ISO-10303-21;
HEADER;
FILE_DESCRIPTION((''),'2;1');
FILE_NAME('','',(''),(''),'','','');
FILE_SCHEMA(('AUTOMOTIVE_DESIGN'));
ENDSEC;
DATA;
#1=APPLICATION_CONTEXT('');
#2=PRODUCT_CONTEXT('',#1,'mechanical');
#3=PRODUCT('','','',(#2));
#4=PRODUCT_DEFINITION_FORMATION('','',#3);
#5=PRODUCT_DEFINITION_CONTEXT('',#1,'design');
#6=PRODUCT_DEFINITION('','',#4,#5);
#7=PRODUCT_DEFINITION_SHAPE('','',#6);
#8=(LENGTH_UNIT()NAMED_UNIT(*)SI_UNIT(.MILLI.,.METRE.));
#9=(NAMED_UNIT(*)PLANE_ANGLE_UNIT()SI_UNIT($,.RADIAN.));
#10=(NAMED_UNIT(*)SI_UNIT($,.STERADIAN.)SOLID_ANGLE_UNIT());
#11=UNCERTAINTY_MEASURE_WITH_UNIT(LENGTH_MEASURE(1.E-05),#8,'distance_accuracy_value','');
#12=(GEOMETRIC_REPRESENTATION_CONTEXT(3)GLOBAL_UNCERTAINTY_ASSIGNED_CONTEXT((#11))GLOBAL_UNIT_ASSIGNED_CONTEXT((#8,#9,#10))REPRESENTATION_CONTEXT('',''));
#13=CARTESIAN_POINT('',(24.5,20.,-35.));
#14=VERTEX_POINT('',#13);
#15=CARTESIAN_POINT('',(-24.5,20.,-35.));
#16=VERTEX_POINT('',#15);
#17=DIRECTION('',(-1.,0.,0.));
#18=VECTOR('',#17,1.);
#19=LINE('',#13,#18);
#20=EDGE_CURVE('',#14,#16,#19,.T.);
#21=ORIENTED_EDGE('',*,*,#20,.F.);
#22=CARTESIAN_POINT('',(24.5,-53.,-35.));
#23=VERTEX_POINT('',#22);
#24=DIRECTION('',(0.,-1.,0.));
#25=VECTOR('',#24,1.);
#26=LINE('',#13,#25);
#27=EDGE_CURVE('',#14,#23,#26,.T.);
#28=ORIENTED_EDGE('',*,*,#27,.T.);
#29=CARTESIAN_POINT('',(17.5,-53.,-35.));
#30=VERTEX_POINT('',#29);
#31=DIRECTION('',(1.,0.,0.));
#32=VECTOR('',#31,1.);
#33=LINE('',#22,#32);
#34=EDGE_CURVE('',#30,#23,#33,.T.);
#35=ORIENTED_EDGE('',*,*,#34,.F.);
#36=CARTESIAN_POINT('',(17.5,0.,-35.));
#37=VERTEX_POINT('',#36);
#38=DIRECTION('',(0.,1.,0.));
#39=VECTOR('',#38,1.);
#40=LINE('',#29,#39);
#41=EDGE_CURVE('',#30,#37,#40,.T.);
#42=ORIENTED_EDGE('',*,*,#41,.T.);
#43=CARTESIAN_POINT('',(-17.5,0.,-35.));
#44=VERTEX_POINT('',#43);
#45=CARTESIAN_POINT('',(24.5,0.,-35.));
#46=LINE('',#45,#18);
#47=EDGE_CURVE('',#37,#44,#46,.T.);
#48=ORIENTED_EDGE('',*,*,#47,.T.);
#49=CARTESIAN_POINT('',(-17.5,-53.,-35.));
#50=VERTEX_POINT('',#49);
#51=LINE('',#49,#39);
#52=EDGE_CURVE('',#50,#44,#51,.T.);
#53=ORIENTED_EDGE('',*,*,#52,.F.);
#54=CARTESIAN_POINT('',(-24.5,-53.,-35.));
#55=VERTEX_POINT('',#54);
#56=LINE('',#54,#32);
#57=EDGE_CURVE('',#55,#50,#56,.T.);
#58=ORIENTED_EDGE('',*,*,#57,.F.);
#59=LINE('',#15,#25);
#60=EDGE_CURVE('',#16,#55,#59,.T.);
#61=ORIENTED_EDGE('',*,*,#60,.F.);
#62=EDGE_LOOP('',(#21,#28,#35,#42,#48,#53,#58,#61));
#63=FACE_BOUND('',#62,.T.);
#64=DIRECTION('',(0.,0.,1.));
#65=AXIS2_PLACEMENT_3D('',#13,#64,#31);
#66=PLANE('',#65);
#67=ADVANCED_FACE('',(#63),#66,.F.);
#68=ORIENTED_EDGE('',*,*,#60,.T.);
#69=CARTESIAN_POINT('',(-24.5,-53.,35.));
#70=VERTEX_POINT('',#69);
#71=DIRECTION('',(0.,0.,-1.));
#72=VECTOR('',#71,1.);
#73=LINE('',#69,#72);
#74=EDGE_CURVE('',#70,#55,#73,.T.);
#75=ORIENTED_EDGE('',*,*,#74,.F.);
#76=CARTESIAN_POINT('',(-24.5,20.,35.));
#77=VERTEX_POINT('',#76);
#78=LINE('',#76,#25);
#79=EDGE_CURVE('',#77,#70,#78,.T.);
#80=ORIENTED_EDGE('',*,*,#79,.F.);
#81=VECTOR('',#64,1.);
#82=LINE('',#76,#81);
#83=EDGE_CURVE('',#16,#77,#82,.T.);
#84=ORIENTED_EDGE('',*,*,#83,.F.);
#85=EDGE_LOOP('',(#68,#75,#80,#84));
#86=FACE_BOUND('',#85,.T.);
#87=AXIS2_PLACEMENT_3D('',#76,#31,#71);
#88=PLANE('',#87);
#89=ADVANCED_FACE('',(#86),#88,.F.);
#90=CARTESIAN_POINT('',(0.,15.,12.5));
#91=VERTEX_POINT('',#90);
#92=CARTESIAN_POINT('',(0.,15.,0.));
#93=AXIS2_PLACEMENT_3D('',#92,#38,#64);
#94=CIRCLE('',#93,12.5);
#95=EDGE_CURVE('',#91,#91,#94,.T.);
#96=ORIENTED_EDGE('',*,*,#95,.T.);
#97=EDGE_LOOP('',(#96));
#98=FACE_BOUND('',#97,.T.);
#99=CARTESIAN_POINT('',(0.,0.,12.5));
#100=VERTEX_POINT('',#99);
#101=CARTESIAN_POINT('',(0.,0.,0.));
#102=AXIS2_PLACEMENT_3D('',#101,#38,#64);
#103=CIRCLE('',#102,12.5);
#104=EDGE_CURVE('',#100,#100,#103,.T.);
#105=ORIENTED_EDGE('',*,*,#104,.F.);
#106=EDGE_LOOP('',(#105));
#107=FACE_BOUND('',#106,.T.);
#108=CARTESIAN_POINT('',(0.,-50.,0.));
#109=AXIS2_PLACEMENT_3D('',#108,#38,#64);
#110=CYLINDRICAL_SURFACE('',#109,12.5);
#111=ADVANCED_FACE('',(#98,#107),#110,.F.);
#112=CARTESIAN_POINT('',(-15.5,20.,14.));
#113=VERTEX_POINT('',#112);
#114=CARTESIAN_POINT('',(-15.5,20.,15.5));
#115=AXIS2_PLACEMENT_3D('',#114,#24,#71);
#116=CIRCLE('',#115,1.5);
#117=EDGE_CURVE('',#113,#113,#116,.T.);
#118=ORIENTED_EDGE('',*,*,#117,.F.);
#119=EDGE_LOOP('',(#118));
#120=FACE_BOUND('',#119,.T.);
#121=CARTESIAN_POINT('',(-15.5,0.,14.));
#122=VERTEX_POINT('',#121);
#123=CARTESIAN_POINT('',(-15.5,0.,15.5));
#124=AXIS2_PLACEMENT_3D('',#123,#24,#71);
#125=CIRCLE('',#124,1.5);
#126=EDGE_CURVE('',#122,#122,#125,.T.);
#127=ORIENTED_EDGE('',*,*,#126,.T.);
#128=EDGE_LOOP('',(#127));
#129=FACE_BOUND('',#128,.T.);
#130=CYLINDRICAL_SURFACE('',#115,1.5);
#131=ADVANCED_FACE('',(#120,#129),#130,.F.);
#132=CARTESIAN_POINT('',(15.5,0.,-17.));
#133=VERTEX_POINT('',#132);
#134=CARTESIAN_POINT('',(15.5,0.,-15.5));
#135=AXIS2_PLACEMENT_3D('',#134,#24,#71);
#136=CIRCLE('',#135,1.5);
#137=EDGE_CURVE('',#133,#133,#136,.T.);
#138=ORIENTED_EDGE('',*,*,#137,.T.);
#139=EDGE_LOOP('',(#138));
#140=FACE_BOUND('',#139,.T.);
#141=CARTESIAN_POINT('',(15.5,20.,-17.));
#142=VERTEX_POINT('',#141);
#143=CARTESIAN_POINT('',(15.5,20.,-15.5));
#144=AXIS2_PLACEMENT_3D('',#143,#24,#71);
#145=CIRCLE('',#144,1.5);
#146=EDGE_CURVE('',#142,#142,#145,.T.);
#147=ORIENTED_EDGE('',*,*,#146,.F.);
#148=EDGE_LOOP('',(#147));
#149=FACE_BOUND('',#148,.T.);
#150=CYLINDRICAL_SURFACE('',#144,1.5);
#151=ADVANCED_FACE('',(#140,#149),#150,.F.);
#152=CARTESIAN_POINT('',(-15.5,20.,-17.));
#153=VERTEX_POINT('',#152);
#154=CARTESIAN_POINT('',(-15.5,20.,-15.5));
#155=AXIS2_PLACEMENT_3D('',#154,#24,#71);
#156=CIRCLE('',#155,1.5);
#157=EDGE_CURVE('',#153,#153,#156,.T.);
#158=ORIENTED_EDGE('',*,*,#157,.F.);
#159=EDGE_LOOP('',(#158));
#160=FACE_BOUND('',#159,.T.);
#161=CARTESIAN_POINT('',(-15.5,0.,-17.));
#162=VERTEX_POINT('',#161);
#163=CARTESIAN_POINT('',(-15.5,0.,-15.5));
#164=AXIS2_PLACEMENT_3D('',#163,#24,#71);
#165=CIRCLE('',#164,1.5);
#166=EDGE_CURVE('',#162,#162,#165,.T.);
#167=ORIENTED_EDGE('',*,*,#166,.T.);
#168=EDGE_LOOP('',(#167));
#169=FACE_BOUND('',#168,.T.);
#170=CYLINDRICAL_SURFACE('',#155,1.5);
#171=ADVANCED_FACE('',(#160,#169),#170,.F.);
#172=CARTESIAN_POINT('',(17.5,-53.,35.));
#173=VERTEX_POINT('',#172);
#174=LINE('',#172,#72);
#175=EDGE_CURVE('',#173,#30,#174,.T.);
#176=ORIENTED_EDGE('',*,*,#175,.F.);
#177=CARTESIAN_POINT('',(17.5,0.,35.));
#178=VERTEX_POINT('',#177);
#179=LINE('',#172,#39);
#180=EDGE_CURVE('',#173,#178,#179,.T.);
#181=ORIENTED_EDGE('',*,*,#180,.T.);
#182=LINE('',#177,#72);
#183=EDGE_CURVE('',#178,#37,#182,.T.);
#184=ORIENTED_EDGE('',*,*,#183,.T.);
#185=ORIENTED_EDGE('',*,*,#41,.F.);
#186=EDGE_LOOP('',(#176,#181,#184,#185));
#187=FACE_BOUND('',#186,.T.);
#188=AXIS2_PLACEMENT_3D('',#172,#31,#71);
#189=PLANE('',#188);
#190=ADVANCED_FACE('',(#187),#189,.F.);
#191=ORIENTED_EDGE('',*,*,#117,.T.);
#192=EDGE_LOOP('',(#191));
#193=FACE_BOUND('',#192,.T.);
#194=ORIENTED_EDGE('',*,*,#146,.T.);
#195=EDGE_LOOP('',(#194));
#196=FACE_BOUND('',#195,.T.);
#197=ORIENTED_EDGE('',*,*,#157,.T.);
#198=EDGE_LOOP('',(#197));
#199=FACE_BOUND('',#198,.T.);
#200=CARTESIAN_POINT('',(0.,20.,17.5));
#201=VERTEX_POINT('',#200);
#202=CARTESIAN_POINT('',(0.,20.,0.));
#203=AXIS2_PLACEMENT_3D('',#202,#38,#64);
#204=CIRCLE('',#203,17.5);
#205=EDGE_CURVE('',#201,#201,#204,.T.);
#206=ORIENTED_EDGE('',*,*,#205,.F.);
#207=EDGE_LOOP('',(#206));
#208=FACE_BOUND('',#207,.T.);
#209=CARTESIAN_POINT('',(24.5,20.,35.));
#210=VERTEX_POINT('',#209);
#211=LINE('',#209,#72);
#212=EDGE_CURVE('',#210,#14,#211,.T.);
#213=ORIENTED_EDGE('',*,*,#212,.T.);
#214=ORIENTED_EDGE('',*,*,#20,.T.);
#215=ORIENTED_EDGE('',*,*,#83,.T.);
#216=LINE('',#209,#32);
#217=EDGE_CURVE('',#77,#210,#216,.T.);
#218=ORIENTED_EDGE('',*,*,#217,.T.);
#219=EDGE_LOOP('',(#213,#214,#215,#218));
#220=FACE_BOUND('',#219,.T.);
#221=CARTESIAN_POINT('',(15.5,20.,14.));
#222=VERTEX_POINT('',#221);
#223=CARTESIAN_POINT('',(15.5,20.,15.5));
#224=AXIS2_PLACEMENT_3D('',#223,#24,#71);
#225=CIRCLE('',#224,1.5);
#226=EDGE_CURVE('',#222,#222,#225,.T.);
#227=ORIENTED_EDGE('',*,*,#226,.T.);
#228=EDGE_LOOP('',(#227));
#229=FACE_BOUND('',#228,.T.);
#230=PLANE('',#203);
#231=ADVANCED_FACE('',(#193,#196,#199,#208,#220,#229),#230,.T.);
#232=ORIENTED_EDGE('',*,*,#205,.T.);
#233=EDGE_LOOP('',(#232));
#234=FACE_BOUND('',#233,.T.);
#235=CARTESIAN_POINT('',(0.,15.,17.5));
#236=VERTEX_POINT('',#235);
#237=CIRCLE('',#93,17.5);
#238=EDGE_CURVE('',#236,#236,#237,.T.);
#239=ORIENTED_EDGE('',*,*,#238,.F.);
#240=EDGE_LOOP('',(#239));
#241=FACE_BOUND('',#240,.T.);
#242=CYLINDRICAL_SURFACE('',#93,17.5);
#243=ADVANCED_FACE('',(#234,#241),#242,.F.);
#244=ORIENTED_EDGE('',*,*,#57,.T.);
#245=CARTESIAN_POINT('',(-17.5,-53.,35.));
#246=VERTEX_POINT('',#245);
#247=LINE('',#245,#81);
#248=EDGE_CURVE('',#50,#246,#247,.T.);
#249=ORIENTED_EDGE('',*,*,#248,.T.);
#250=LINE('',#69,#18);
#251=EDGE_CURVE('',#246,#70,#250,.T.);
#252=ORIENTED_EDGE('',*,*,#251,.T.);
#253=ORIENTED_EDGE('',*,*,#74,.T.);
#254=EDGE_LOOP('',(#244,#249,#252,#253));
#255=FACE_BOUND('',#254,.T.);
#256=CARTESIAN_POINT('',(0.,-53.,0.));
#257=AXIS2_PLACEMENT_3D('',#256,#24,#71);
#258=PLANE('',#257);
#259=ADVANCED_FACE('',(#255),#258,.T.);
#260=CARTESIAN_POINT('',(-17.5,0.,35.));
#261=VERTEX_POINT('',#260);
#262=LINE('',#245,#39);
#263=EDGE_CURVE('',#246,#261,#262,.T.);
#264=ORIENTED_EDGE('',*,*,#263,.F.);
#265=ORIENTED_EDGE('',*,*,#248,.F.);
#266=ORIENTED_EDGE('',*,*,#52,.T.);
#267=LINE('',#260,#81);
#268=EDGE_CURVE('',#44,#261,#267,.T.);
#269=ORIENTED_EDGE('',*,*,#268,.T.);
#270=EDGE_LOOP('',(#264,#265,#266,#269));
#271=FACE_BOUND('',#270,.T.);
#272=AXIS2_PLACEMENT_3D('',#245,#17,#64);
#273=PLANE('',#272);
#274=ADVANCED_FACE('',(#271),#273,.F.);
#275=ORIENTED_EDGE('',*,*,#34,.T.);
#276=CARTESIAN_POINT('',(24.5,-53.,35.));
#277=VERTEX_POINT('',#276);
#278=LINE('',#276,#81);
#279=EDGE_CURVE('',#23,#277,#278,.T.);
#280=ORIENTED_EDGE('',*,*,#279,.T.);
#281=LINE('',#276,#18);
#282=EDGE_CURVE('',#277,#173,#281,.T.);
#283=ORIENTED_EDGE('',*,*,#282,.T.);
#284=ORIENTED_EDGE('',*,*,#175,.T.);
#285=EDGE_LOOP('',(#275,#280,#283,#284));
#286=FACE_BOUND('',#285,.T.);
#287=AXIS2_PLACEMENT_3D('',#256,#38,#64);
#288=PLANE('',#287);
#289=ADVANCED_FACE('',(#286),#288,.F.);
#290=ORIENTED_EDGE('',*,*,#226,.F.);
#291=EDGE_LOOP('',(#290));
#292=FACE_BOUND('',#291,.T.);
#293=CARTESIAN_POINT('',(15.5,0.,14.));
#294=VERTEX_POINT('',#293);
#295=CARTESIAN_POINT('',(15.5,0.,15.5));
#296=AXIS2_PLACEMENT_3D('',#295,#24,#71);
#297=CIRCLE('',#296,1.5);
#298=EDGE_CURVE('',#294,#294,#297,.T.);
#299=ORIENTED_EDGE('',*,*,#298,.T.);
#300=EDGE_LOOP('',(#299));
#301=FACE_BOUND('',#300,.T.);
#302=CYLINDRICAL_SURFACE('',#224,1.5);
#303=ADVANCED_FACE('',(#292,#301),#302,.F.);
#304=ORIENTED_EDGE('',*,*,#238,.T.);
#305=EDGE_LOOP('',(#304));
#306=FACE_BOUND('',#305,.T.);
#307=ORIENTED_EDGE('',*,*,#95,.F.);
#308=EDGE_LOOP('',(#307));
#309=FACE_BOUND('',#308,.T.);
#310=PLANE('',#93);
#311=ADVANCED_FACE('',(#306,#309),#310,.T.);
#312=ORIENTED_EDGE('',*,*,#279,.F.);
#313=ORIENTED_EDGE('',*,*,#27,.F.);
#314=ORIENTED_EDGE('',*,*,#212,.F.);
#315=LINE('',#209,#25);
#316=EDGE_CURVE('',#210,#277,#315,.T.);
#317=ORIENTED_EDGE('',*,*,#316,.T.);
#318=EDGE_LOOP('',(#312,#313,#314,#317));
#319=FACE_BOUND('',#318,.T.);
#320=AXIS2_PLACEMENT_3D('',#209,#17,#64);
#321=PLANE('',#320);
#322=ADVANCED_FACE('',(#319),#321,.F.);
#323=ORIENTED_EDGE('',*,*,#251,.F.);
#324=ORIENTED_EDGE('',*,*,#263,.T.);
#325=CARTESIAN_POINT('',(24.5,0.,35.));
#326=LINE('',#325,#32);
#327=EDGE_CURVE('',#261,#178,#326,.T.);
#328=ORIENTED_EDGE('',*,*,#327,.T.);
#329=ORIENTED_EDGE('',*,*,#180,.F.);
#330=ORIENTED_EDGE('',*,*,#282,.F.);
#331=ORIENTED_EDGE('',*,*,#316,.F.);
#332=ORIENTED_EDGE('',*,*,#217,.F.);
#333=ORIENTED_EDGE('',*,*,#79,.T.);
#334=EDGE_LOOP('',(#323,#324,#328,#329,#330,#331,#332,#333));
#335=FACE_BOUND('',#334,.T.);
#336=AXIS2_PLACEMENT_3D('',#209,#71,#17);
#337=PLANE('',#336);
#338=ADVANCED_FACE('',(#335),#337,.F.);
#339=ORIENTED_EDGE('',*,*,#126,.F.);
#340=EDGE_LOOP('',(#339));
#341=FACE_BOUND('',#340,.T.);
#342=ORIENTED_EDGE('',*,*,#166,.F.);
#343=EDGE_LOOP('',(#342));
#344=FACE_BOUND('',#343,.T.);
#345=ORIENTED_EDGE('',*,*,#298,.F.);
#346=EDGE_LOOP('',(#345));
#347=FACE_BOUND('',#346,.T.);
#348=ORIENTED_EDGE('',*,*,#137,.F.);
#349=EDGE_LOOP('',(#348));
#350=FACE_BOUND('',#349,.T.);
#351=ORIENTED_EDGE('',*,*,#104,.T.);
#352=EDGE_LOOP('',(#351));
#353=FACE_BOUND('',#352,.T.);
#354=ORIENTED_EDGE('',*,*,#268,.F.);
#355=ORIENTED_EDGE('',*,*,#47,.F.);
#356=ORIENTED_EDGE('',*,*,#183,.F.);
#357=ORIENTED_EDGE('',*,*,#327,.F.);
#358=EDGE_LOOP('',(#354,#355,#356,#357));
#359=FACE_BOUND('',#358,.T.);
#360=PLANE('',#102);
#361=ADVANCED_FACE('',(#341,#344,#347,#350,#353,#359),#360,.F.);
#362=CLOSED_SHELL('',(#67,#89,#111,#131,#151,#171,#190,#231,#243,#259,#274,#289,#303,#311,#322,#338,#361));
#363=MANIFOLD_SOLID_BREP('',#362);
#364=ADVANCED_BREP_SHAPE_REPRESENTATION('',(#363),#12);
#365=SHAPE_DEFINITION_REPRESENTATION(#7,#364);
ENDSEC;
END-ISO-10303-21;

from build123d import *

# Parameters (mm, degrees)
SKETCH1_W           = 49
SKETCH1_H           = 70
BOSS_EXTRUDE1_DEPTH = 20
SKETCH3_R           = 12.5
CUT_EXTRUDE1_DEPTH  = 70
SKETCH4_R           = 1.5
CUT_EXTRUDE2_DEPTH  = 48.172555581
SKETCH5_R           = 17.5
SKETCH5_R_2         = 12.5
CUT_EXTRUDE3_DEPTH  = 5
SKETCH6_W           = 7
SKETCH6_H           = 70
BOSS_EXTRUDE3_DEPTH = 53


with BuildPart() as part:
    # Sketch1 → Boss-Extrude1 (new body)
    with BuildSketch(Plane(origin=(0, 0, 0), x_dir=(1, 0, 0), z_dir=(0, 1, 0))):
        Rectangle(SKETCH1_W, SKETCH1_H)
    extrude(amount=BOSS_EXTRUDE1_DEPTH)

    # Sketch3 → Cut-Extrude1 (cut)
    with BuildSketch(Plane(origin=(0, 20, 0), x_dir=(1, 0, 0), z_dir=(0, 1, 0))):
        with Locations(Location((0, 0, 0), (0, 0, 270))):
            Circle(SKETCH3_R)
    extrude(amount=-CUT_EXTRUDE1_DEPTH, mode=Mode.SUBTRACT)

    # Sketch4 → Cut-Extrude2 (cut, through all)
    with BuildSketch(Plane.XZ):
        with Locations(Location((-15.5, 15.5, 0), (0, 0, 270))):
            Circle(SKETCH4_R)
        with Locations(Location((15.5, 15.5, 0), (0, 0, 270))):
            Circle(SKETCH4_R)
        with Locations(Location((15.5, -15.5, 0), (0, 0, 270))):
            Circle(SKETCH4_R)
        with Locations(Location((-15.5, -15.5, 0), (0, 0, 270))):
            Circle(SKETCH4_R)
    extrude(amount=-CUT_EXTRUDE2_DEPTH, mode=Mode.SUBTRACT)

    # Sketch5 → Cut-Extrude3 (cut)
    with BuildSketch(Plane(origin=(0, 20, 0), x_dir=(1, 0, 0), z_dir=(0, 1, 0))):
        with Locations(Location((0, 0, 0), (0, 0, 270))):
            Circle(SKETCH5_R)
        with Locations(Location((0, 0, 0), (0, 0, 270))):
            Circle(SKETCH5_R_2, mode=Mode.SUBTRACT)
    extrude(amount=-CUT_EXTRUDE3_DEPTH, mode=Mode.SUBTRACT)

    # Sketch6 → Boss-Extrude3 (add)
    with BuildSketch(Plane.XZ):
        with Locations((-21, 0)):
            Rectangle(SKETCH6_W, SKETCH6_H)
        with Locations((21, 0)):
            Rectangle(SKETCH6_W, SKETCH6_H)
    extrude(amount=BOSS_EXTRUDE3_DEPTH)


solid = part.part
